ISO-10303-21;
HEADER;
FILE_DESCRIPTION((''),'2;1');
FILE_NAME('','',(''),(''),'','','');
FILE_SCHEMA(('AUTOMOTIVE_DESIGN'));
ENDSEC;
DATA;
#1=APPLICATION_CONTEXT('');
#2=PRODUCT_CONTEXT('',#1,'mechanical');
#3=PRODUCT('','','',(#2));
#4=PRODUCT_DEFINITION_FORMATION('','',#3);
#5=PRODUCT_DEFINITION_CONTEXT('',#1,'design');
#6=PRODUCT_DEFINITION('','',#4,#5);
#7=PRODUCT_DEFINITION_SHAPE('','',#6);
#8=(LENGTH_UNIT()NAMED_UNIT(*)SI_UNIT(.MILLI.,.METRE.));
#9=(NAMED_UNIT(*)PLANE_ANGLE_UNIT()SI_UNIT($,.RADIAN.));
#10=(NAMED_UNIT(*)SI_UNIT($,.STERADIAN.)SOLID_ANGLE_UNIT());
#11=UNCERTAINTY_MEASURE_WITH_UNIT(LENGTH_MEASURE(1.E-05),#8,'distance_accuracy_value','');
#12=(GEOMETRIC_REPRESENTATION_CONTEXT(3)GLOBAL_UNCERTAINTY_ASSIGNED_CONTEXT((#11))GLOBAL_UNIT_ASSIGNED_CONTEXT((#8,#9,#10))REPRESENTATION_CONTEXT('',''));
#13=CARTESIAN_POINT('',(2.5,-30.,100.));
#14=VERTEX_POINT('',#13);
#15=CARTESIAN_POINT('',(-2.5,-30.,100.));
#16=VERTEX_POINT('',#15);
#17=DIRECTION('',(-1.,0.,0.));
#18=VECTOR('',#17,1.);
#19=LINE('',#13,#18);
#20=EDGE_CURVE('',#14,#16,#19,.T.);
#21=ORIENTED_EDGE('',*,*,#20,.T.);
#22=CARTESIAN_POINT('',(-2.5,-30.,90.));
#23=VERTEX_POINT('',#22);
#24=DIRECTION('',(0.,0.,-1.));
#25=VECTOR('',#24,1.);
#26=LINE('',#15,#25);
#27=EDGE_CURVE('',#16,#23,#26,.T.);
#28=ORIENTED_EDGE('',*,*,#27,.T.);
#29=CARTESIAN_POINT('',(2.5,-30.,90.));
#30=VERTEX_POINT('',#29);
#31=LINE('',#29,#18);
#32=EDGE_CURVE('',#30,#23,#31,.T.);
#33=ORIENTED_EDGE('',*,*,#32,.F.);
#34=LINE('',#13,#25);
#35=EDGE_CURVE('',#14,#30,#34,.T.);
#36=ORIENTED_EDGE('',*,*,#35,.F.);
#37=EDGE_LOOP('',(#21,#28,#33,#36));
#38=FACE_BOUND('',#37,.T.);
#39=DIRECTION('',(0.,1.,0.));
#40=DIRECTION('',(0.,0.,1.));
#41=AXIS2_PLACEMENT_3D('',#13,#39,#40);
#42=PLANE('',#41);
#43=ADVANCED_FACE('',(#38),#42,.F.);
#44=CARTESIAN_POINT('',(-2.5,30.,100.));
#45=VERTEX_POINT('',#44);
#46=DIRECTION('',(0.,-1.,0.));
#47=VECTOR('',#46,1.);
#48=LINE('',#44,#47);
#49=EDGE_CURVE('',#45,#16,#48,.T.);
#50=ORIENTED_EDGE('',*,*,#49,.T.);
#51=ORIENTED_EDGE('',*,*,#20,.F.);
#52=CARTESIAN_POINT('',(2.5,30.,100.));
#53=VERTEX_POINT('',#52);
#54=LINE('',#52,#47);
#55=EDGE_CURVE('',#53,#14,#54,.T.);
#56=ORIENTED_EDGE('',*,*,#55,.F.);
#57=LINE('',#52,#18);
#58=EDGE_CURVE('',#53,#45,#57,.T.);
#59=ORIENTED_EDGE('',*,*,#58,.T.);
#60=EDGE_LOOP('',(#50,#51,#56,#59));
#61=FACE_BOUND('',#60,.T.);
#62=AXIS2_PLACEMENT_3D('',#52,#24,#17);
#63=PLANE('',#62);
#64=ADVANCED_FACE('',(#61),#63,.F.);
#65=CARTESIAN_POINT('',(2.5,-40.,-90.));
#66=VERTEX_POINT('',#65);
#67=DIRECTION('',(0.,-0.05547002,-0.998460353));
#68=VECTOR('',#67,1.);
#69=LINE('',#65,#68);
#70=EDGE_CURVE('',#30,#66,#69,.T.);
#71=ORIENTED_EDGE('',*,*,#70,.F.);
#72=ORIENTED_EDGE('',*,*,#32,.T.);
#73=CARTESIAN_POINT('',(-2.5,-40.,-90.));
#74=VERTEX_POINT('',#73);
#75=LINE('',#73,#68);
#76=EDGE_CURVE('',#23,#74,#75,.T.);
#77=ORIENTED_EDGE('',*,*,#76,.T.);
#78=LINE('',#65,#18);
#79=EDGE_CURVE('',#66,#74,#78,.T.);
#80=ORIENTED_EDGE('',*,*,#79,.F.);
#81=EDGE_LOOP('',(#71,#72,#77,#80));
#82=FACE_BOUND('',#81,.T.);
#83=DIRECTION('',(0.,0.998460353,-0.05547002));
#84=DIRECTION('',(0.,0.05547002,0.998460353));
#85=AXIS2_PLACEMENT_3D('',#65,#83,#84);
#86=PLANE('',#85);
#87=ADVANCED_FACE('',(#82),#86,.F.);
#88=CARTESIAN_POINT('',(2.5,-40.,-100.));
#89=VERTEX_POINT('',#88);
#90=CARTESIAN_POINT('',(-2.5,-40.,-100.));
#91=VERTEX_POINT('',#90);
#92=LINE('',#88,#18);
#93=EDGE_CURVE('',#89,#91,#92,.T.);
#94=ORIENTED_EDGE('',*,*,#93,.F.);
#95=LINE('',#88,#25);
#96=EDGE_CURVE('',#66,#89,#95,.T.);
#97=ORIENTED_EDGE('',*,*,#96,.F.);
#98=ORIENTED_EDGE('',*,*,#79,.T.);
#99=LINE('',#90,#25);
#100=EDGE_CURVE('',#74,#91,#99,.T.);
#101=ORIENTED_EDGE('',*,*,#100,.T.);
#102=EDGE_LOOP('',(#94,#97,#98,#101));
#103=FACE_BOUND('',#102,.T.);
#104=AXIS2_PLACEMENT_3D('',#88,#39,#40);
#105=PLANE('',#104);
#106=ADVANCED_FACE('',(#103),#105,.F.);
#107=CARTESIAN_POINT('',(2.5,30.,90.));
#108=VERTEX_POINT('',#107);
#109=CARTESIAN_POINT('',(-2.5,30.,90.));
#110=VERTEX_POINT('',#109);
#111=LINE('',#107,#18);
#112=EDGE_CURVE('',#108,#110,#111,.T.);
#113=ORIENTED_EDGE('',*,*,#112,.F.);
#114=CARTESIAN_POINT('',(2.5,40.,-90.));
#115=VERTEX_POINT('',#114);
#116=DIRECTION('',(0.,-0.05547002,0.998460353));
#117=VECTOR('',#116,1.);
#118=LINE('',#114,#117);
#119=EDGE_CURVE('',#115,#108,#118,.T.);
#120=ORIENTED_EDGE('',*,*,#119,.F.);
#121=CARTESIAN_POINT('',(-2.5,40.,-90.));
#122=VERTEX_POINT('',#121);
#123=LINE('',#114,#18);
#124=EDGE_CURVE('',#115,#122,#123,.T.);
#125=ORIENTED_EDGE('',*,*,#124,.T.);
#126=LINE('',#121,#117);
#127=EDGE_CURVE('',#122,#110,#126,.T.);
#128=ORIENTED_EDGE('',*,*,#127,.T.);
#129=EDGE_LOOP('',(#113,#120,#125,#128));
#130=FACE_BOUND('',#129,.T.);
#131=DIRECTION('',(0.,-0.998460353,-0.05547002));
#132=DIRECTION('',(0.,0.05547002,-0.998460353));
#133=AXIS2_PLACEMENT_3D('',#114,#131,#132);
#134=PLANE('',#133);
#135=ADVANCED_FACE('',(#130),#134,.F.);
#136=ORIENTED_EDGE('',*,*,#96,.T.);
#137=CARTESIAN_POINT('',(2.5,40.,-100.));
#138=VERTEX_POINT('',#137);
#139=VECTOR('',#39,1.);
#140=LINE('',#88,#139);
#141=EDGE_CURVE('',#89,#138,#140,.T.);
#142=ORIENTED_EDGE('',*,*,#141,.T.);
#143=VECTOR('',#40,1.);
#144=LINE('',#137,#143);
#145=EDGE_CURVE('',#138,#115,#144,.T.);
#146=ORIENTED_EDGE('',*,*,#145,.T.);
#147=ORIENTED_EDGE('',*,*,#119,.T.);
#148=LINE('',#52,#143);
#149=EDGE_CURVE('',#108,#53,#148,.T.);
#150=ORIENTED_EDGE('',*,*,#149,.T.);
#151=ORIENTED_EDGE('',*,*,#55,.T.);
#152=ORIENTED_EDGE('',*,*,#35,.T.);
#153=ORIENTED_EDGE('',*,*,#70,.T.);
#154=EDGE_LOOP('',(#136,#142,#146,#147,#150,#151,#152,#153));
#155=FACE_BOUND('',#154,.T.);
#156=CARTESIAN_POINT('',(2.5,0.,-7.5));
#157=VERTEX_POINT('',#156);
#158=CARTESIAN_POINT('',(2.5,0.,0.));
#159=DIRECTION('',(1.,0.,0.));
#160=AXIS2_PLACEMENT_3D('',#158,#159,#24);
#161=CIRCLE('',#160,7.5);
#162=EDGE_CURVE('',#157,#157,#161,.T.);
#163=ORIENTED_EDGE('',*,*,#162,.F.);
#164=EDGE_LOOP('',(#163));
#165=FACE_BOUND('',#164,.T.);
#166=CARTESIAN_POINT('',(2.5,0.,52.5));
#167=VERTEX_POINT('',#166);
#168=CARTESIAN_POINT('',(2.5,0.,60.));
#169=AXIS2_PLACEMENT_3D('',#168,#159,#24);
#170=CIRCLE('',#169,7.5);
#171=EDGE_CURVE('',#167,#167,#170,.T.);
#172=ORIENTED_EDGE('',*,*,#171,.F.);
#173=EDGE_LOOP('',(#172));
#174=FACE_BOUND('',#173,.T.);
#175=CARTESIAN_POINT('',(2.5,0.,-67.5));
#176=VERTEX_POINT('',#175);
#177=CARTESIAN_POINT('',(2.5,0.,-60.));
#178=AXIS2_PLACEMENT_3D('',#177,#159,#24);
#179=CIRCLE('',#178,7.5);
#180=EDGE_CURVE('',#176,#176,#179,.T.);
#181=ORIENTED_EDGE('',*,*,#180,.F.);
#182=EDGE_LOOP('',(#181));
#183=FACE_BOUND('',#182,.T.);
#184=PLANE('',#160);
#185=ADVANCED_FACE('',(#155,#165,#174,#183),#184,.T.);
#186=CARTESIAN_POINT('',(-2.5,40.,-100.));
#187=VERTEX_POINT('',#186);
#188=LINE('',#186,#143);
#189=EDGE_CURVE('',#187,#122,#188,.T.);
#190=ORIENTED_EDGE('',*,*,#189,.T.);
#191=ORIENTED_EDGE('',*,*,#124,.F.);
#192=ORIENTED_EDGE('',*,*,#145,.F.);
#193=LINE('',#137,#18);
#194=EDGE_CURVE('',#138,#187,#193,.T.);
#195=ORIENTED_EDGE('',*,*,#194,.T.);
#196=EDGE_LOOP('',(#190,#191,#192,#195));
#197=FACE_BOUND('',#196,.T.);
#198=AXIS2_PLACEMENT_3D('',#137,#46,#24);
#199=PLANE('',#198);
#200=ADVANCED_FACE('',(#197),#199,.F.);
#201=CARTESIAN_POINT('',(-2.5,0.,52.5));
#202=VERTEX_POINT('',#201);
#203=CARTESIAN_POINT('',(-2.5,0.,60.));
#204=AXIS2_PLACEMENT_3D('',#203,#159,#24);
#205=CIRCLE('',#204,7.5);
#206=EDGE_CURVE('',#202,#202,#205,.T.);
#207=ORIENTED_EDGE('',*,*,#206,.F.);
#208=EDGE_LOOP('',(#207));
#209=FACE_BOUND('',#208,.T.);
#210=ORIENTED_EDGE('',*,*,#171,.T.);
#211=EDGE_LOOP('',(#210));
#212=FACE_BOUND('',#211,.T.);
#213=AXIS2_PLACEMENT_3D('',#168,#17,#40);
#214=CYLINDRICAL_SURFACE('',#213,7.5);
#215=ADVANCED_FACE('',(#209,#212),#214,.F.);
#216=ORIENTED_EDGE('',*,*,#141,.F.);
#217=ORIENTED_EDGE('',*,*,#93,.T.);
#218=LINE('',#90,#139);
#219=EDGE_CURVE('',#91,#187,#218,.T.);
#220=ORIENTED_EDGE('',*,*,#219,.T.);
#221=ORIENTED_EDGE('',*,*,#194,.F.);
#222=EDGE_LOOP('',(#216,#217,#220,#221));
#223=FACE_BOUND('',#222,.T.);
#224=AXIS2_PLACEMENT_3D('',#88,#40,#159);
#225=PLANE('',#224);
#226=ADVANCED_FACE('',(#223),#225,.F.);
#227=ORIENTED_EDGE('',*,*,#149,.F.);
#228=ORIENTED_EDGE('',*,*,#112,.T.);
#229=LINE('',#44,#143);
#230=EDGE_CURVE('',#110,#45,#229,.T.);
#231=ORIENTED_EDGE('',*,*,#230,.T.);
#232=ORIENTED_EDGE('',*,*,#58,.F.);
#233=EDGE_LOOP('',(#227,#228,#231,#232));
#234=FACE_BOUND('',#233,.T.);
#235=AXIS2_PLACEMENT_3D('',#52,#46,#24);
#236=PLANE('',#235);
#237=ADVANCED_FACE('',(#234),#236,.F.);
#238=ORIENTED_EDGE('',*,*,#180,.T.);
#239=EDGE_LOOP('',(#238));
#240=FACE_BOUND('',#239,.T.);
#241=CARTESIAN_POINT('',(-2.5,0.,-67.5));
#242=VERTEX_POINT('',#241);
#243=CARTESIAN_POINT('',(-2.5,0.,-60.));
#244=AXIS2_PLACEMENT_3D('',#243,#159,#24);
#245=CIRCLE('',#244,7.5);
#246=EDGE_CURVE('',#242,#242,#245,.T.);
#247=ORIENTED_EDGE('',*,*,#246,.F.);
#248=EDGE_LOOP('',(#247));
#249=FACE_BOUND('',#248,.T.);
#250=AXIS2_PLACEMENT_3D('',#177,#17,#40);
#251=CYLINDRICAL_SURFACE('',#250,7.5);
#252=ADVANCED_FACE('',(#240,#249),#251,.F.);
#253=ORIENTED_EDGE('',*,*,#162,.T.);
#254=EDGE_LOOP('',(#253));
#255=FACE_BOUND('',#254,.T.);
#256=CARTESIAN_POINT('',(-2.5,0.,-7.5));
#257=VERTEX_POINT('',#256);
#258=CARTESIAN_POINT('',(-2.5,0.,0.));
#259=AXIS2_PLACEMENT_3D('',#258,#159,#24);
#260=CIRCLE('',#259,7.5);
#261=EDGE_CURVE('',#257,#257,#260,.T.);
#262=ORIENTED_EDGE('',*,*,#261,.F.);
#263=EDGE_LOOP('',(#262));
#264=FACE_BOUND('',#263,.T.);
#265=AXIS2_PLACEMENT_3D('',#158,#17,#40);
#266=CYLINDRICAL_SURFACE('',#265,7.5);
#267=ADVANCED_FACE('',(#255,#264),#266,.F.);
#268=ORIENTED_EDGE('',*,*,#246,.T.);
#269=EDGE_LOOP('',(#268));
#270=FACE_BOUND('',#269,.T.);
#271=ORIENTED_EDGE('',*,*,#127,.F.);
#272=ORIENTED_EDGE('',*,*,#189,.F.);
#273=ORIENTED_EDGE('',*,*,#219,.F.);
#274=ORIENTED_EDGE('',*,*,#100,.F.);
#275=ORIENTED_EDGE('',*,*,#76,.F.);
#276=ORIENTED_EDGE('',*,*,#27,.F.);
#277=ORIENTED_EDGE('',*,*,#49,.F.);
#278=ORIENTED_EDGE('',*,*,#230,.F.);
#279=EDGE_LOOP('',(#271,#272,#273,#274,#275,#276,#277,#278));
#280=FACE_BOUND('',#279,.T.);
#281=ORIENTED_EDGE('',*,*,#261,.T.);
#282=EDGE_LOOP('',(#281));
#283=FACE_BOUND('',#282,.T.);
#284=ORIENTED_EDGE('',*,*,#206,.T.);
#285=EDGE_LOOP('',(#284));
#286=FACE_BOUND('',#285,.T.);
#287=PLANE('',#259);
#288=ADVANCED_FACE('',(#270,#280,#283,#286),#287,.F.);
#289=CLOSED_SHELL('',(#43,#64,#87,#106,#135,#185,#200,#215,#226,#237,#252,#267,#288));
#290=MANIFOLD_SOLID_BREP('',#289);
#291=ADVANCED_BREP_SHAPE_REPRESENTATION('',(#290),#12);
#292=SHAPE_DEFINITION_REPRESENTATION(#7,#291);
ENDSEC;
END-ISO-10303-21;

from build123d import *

# Parameters (mm, degrees)
SKETCH1_R           = 7.5
BOSS_EXTRUDE1_DEPTH = 2.5


with BuildPart() as part:
    # Sketch1 → Boss-Extrude1 (new, symmetric)
    with BuildSketch(Plane(origin=(0, 0, 0), x_dir=(0, 0, -1), z_dir=(1, 0, 0))):
        Polygon((100, -40), (100, 40), (90, 40), (-90, 30), (-100, 30), (-100, -30), (-90, -30), (90, -40), align=None)
        Circle(SKETCH1_R, mode=Mode.SUBTRACT)
        with Locations((-60, 0)):
            Circle(SKETCH1_R, mode=Mode.SUBTRACT)
        with Locations((60, 0)):
            Circle(SKETCH1_R, mode=Mode.SUBTRACT)
    extrude(amount=BOSS_EXTRUDE1_DEPTH, both=True)


solid = part.part
